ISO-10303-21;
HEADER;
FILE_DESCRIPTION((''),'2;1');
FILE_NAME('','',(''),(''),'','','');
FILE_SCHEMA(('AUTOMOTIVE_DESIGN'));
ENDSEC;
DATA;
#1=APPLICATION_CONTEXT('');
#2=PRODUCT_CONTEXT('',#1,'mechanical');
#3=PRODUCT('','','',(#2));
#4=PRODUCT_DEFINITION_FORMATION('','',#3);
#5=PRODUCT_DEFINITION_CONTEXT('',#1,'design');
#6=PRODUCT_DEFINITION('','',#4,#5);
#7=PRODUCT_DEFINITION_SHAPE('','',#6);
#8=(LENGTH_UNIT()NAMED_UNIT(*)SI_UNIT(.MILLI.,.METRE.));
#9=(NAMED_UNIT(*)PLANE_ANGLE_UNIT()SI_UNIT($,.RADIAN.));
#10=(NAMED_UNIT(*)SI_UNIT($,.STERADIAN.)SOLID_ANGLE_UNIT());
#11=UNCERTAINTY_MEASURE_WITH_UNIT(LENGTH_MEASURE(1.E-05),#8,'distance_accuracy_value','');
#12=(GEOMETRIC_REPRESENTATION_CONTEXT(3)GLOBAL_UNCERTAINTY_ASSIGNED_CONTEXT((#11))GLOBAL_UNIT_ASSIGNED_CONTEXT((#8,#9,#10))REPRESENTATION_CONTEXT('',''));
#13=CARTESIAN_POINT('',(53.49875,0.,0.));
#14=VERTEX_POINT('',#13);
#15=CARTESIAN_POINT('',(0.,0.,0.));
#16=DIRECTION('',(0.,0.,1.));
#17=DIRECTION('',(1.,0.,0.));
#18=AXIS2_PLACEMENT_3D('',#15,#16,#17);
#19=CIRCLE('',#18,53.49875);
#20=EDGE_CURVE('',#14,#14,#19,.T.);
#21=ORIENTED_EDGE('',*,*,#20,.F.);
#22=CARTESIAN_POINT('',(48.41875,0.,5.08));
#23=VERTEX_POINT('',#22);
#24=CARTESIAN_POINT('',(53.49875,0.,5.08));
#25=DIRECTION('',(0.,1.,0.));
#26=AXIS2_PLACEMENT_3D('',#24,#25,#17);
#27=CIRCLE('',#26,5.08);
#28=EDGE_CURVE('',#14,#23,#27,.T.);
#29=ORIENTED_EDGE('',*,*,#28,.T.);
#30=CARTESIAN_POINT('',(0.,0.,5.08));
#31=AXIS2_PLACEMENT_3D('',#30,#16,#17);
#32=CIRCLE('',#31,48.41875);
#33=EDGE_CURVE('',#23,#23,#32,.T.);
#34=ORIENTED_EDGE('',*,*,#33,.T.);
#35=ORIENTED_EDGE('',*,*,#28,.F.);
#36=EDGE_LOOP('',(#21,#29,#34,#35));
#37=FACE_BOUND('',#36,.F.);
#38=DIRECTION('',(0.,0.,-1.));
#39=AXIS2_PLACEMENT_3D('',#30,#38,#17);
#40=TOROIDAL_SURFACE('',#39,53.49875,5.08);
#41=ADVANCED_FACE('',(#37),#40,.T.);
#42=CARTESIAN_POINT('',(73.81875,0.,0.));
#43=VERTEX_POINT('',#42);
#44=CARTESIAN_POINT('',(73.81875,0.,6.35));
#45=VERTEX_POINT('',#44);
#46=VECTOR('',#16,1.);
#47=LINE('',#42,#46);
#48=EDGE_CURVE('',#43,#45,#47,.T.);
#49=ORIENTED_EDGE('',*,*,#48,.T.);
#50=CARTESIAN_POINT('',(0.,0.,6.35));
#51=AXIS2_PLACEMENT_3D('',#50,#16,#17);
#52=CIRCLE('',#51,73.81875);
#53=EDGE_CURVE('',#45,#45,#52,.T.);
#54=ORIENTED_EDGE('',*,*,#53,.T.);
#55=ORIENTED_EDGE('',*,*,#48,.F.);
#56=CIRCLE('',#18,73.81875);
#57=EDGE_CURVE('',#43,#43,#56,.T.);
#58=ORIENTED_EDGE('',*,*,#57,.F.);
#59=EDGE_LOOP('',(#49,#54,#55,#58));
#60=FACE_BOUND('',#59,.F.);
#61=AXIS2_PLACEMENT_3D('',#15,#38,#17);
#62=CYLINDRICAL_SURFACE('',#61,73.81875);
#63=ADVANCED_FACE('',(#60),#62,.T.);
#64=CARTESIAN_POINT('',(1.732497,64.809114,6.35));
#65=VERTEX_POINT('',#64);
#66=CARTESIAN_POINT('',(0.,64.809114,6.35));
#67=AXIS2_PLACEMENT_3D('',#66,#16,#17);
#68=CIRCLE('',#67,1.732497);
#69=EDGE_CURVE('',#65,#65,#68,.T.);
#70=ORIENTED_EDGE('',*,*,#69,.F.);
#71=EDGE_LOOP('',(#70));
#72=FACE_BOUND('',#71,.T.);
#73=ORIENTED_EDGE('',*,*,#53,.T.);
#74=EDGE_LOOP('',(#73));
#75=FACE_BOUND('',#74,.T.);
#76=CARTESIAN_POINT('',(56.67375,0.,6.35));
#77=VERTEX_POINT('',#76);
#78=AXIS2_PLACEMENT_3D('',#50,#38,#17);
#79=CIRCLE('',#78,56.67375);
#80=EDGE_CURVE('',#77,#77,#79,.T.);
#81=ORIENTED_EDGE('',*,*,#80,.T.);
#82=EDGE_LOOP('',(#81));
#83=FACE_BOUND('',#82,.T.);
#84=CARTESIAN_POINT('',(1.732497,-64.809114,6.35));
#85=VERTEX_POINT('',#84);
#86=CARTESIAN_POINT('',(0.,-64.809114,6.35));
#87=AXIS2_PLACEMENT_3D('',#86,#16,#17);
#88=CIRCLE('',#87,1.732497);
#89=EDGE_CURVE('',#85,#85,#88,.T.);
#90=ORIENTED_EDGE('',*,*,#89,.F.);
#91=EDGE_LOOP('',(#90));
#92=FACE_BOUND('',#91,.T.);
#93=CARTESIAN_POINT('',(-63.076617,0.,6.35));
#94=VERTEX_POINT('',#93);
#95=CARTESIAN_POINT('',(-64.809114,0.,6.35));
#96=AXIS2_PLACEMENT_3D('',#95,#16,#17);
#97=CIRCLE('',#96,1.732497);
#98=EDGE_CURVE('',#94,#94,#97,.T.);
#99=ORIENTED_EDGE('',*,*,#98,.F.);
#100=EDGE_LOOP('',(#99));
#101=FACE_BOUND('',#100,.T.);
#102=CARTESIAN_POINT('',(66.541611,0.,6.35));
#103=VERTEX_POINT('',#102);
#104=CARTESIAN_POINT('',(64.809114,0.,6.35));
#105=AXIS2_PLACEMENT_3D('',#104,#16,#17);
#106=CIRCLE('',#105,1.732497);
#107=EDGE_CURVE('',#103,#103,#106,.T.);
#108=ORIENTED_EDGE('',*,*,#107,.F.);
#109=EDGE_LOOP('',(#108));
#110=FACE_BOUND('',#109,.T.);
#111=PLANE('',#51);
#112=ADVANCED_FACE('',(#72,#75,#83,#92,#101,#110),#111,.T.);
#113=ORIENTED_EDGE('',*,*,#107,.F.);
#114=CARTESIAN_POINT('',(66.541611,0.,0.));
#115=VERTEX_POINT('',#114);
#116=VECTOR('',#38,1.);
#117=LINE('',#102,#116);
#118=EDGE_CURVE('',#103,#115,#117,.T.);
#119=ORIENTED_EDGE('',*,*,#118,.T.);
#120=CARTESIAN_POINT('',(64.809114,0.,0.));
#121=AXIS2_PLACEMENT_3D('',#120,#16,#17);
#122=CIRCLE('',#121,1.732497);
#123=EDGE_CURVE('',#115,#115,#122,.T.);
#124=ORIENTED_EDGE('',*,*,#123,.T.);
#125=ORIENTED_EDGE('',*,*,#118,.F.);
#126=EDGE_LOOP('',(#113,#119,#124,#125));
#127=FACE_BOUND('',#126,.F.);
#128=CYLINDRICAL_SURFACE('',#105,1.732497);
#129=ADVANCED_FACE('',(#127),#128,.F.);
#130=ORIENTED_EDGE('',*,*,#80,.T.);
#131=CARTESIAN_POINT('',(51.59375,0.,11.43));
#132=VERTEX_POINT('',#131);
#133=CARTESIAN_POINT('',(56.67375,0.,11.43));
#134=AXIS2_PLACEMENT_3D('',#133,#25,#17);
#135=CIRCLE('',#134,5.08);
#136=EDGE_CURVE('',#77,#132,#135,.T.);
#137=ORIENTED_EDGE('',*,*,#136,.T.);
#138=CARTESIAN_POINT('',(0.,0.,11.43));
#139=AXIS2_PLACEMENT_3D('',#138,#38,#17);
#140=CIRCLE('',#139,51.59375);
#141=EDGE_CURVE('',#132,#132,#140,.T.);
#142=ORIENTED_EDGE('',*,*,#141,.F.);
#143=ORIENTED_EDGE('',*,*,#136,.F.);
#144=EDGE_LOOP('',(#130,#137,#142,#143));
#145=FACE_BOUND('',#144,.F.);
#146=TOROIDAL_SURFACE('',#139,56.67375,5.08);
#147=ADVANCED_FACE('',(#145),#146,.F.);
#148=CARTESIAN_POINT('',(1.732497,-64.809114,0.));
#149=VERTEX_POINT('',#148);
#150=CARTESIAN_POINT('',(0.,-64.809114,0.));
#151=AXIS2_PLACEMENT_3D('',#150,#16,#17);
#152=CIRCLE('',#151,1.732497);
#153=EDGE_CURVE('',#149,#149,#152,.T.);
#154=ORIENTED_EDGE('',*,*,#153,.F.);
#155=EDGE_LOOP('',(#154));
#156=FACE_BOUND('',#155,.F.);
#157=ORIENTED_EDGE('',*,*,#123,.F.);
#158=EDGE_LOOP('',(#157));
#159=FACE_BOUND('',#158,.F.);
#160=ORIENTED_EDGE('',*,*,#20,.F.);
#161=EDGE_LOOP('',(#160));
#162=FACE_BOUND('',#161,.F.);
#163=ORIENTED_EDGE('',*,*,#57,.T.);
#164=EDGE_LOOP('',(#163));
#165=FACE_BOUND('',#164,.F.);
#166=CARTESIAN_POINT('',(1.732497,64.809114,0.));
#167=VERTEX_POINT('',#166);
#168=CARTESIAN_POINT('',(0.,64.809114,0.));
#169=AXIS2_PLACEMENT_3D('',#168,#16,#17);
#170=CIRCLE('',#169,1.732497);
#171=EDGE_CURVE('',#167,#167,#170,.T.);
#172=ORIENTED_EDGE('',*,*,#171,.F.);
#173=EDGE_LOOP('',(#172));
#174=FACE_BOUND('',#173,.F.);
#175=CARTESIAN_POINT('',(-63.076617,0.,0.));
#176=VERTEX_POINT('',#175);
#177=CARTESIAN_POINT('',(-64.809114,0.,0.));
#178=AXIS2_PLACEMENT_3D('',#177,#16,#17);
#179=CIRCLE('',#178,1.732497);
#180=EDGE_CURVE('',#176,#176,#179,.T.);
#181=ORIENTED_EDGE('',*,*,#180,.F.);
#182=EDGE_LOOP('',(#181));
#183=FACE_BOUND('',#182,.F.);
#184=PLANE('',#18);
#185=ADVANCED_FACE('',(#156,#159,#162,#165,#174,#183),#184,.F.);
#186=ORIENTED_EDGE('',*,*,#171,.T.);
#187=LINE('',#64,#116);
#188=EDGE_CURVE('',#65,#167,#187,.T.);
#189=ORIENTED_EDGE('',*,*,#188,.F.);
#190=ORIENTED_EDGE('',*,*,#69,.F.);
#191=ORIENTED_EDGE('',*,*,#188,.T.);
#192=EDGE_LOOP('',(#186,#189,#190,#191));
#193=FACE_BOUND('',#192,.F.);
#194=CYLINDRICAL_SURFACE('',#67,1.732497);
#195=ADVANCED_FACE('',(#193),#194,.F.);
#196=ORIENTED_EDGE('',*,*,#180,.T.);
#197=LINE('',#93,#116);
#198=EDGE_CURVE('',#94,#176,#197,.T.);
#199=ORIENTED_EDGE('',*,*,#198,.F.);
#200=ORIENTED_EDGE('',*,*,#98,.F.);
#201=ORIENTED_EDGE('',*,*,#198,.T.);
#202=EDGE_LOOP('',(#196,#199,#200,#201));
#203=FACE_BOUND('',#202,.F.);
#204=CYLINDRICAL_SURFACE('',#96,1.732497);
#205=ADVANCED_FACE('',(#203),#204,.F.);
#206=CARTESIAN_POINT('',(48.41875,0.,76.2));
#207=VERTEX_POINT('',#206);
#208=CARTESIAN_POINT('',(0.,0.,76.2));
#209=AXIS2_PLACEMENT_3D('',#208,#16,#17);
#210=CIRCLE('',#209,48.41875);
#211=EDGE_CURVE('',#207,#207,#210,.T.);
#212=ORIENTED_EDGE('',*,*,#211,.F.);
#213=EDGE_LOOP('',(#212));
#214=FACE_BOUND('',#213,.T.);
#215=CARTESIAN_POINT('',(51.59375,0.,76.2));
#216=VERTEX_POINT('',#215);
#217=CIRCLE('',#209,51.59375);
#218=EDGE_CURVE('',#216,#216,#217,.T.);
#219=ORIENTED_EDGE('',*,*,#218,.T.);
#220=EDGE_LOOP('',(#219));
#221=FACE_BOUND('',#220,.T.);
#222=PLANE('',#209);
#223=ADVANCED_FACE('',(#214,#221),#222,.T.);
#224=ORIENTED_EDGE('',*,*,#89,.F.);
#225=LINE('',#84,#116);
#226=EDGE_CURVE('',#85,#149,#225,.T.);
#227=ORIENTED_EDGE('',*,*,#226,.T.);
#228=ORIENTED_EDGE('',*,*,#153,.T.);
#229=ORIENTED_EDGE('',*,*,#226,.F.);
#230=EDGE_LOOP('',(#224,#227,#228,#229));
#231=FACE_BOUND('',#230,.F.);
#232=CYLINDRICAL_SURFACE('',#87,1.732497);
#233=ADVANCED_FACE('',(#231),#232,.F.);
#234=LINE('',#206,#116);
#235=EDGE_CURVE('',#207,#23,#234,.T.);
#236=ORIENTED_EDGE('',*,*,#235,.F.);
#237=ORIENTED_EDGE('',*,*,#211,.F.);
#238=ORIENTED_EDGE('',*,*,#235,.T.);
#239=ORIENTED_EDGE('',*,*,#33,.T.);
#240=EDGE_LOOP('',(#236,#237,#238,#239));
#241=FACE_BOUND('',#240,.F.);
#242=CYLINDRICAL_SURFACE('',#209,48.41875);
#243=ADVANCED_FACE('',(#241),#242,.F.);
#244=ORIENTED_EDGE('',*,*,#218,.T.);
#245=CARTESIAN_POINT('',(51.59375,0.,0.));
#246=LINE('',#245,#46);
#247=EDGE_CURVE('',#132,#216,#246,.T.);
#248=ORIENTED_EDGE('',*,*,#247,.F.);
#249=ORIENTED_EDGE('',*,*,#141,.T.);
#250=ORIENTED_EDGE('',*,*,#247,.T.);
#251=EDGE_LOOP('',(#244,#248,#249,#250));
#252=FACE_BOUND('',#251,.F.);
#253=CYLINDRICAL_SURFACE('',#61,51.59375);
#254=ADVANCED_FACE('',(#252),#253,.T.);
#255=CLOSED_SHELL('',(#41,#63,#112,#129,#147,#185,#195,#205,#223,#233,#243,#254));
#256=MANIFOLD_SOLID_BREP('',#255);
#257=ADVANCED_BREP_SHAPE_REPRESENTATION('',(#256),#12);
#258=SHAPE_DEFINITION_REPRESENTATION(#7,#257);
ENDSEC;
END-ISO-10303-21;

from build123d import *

# Parameters (mm, degrees)
F0_R     = 51.59375
F1_DEPTH = 76.2
F2_R     = 73.81875
F3_DEPTH = 6.35
F4_R     = 48.41875
F5_DEPTH = 76.201
F6_R     = 5.08
F7_R     = 5.08
F8_R     = 1.732497
F9_DEPTH = 6.351


with BuildPart() as f1:
    # F0 (on Top) → F1 (new body)
    with BuildSketch(Plane.XY):
        Circle(F0_R)
    extrude(amount=F1_DEPTH)

    # F2 (on Top) → F3 (join)
    with BuildSketch(Plane.XY):
        Circle(F2_R)
    extrude(amount=F3_DEPTH)

    # F4 (on face) → F5 (cut, through all)
    with BuildSketch(Plane.XY.offset(76.2)):
        Circle(F4_R)
    extrude(amount=-F5_DEPTH, mode=Mode.SUBTRACT)

    # F6
    f6_edges = [f1.edges().sort_by_distance(p)[0] for p in [
        (-51.59375, 0, 6.35),
    ]]
    fillet(f6_edges, radius=F6_R)

    # F7
    f7_edges = [f1.edges().sort_by_distance(p)[0] for p in [
        (-48.41875, 0, 0),
    ]]
    fillet(f7_edges, radius=F7_R)

    # F8 (on face) → F9 (cut, through all)
    with BuildSketch(Plane.XY.offset(6.35)):
        with Locations((64.809114, 0)):
            Circle(F8_R)
        with Locations((0, 64.809114)):
            Circle(F8_R)
        with Locations((-64.809114, 0)):
            Circle(F8_R)
        with Locations((0, -64.809114)):
            Circle(F8_R)
    extrude(amount=-F9_DEPTH, mode=Mode.SUBTRACT)


solid = f1.part
